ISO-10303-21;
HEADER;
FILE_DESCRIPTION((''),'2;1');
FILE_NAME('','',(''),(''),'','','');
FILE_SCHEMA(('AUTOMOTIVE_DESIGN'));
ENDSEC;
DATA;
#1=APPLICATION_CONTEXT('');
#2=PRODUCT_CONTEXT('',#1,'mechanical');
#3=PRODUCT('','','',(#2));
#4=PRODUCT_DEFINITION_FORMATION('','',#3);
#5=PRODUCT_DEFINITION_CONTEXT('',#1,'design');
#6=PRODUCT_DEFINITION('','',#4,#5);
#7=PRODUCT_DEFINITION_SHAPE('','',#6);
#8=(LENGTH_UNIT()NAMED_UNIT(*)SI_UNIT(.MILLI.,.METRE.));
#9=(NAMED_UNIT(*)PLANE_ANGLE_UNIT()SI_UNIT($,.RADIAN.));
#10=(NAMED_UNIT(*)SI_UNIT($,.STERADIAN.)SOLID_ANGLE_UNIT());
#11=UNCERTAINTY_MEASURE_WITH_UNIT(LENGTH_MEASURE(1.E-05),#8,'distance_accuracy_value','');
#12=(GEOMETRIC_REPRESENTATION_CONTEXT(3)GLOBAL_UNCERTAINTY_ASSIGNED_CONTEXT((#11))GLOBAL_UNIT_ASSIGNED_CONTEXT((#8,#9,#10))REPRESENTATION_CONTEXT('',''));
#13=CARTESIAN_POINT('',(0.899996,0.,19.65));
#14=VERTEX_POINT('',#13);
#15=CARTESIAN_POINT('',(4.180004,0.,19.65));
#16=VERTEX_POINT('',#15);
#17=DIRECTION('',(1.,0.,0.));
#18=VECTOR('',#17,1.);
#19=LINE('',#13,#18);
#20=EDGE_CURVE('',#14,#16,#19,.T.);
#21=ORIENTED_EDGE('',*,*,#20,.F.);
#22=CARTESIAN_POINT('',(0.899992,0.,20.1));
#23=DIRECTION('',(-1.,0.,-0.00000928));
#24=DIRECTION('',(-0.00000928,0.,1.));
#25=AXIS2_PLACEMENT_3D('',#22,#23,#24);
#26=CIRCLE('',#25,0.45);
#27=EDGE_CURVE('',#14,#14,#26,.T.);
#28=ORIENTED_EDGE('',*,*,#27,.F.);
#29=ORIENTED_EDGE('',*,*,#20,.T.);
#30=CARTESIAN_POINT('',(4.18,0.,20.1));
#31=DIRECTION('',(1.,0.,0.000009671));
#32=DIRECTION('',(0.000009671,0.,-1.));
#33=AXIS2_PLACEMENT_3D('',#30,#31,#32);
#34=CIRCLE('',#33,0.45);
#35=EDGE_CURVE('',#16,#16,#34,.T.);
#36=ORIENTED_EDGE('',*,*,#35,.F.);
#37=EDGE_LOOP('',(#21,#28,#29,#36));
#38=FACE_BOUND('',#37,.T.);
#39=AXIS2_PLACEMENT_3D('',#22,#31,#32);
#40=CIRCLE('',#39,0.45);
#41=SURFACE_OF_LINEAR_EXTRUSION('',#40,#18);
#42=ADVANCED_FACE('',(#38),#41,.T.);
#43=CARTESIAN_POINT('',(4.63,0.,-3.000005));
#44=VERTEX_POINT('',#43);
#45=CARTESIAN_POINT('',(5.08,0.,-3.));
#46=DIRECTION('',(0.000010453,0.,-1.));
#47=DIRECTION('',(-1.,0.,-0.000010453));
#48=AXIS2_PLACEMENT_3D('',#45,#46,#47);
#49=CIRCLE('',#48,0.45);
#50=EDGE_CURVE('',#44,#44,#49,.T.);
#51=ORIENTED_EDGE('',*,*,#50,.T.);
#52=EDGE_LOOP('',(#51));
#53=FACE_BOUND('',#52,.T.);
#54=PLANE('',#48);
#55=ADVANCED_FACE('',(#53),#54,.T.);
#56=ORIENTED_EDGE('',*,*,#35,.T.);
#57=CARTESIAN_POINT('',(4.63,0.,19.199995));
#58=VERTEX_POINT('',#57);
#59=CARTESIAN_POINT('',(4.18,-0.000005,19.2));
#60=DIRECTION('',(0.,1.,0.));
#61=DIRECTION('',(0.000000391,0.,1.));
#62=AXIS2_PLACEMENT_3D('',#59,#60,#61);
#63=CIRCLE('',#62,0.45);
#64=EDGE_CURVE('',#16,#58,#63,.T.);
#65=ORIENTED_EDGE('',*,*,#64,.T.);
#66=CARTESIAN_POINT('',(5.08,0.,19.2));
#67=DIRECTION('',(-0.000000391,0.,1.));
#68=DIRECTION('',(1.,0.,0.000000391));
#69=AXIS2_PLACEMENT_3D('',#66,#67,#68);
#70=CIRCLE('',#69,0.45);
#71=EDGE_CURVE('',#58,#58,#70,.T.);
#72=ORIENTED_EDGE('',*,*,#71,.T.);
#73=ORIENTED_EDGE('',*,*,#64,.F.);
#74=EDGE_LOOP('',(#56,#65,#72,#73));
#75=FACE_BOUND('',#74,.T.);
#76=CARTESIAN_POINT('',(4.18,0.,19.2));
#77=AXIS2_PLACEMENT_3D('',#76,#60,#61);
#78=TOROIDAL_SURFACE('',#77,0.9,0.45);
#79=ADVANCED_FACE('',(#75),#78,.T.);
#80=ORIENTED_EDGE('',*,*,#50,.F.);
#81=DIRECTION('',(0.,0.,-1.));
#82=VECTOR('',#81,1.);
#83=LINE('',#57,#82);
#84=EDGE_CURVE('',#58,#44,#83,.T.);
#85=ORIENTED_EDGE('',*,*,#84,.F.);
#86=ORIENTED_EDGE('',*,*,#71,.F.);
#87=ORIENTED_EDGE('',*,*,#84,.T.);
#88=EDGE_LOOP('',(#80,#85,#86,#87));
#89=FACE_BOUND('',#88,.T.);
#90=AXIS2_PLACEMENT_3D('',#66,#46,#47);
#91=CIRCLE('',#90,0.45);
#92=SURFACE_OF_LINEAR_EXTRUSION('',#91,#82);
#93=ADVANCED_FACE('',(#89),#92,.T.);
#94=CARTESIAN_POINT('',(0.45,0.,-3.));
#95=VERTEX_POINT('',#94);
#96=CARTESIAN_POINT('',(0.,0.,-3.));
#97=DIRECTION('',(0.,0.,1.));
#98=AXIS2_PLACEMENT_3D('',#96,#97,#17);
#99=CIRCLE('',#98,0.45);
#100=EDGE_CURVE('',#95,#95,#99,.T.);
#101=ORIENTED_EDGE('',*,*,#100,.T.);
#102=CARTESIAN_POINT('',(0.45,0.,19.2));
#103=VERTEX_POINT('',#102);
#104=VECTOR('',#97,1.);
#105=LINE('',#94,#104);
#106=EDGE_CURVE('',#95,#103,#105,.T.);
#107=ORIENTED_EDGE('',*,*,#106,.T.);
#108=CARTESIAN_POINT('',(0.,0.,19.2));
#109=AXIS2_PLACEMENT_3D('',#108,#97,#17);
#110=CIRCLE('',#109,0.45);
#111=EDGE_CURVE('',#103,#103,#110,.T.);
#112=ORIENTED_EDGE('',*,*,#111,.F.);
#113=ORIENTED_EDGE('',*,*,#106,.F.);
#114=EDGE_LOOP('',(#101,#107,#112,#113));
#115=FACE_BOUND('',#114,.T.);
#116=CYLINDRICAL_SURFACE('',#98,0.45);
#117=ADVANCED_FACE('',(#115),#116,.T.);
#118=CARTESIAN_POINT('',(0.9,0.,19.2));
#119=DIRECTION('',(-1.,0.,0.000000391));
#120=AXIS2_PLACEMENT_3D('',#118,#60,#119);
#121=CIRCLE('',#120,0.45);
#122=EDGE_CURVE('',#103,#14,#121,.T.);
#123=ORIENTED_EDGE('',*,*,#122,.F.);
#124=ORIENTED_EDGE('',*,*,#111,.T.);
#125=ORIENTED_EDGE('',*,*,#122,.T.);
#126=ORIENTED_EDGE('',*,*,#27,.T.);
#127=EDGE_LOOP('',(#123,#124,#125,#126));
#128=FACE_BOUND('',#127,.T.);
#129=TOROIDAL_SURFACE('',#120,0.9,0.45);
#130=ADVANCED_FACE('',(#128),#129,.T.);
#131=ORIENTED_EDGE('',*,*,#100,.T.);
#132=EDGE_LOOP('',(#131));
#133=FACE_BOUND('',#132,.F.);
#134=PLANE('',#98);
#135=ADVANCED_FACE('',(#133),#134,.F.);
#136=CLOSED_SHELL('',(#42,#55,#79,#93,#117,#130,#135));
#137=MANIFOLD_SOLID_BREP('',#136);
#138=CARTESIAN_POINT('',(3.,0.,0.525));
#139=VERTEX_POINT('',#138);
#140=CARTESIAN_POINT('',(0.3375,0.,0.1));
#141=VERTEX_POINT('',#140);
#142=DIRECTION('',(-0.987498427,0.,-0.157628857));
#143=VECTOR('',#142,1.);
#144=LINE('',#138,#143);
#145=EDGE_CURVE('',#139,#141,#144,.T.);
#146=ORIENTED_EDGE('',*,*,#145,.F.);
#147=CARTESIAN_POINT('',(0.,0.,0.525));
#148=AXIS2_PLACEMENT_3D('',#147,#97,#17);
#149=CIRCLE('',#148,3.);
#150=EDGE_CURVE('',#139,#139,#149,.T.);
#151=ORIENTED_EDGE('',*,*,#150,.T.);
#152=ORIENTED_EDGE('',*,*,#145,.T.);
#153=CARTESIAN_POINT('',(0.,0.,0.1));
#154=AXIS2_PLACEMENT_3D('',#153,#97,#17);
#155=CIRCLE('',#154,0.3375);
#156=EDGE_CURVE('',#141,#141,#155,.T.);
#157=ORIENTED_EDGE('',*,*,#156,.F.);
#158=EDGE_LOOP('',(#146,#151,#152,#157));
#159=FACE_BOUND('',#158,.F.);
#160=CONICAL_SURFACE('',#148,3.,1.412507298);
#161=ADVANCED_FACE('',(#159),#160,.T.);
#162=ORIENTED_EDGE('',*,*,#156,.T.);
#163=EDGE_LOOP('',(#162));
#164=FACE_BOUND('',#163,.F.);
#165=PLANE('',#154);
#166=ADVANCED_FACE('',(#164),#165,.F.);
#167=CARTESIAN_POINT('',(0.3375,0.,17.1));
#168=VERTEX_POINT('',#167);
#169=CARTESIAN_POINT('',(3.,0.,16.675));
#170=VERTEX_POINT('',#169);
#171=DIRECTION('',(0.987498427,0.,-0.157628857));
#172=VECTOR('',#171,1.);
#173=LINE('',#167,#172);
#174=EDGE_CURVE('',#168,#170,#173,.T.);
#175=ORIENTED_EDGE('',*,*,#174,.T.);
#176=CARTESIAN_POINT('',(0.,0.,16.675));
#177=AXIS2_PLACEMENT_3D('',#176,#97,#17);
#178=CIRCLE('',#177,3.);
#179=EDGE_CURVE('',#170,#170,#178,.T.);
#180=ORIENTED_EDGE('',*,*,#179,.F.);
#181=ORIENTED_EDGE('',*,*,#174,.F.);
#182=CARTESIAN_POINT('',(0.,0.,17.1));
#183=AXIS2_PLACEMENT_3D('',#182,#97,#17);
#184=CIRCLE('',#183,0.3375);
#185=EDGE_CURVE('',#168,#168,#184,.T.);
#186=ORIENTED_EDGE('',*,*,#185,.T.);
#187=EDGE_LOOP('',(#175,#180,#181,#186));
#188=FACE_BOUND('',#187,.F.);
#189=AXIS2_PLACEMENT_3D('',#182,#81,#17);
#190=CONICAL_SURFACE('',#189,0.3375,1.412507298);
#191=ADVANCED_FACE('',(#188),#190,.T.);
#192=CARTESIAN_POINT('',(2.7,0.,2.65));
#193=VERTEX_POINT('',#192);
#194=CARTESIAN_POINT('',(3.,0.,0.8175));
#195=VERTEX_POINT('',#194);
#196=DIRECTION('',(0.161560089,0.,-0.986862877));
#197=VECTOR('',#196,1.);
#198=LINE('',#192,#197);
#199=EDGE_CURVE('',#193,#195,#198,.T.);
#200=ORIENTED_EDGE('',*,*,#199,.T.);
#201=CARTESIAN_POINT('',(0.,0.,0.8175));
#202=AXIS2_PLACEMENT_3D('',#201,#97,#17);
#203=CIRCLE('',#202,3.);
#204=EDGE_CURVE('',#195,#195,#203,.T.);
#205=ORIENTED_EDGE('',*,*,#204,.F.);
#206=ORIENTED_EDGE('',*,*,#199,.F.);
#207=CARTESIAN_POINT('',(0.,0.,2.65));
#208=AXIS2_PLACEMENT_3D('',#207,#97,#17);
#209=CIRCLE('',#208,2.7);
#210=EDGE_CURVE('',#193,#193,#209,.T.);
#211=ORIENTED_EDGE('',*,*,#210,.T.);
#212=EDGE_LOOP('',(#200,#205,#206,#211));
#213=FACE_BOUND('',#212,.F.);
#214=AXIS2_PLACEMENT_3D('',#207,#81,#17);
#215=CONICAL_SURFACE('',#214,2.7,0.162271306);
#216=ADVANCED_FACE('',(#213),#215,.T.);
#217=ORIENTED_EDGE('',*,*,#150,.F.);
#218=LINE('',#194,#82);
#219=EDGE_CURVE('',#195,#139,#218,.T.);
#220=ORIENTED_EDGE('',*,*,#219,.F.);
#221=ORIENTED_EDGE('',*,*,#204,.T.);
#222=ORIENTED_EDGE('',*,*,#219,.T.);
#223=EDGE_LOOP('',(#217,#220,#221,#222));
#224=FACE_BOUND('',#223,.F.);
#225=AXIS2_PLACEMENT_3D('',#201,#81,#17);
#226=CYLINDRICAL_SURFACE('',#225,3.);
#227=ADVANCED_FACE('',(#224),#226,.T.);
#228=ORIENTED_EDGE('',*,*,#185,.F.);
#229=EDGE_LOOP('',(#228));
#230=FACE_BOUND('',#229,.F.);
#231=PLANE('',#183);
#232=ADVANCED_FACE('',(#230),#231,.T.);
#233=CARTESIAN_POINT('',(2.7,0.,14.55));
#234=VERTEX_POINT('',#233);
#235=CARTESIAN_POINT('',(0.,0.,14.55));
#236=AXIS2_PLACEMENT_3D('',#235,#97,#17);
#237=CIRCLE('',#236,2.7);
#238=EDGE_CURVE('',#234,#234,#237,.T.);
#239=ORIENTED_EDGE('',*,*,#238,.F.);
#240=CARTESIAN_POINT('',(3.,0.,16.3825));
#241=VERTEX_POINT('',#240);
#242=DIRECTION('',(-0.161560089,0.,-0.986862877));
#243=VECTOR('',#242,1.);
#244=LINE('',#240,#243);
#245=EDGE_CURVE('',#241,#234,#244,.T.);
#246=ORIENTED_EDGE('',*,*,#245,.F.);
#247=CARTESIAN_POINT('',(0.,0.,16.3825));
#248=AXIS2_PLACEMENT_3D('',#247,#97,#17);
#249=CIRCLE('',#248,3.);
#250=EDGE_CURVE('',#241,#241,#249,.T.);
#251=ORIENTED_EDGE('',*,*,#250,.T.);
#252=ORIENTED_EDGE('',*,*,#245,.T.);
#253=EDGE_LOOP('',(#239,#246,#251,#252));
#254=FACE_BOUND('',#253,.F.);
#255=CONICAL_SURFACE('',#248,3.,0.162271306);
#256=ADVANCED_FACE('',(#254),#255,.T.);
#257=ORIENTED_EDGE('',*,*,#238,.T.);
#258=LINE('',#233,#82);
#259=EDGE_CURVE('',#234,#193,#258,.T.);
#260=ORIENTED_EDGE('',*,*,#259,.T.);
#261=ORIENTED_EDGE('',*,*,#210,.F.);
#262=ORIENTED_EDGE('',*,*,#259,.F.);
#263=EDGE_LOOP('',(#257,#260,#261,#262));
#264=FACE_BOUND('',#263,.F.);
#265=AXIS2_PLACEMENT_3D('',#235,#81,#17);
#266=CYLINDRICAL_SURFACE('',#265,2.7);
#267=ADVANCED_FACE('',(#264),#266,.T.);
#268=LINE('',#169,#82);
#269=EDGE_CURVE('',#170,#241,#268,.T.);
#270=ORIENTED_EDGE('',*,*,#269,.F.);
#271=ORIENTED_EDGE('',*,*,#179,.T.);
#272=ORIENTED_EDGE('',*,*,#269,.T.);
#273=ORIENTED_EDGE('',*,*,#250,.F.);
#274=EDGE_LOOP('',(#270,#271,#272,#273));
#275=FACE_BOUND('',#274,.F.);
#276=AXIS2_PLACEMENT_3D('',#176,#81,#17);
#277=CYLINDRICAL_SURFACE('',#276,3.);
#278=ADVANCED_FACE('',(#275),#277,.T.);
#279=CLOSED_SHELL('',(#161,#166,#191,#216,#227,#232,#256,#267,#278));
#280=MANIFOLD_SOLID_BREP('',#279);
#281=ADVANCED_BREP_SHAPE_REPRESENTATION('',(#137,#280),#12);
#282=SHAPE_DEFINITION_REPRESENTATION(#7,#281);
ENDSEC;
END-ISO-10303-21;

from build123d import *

# Parameters (mm, degrees)
SKETCH_R = 0.45


with BuildPart() as sweep_body:
    # Sweep: sweep along a path in Sketch001
    with BuildLine(Plane.XZ) as sweep_path:
        Line((0, -3), (0, 19.2))
        ThreePointArc((0, 19.2), (0.263601, 19.836393), (0.899992, 20.1))
        Line((0.899992, 20.1), (4.18, 20.1))
        ThreePointArc((4.18, 20.1), (4.816396, 19.836396), (5.08, 19.2))
        Line((5.08, 19.2), (5.08, -3))
    # Sketch → Sweep (sweep)
    with BuildSketch(Plane.XY.offset(-2)):
        Circle(SKETCH_R)
    sweep(path=sweep_path.line)


with BuildPart() as revolution:
    # Sketch002 → Revolution (revolve)
    with BuildSketch(Plane.XZ):
        Polygon((0, 0.1), (0, 17.1), (0.3375, 17.1), (3, 16.675), (3, 16.3825), (2.7, 14.55), (2.7, 2.65), (3, 0.8175), (3, 0.525), (0.3375, 0.1), align=None)
    revolve(axis=Axis((0, 0, 0), (0, 0, 1)))


solid = Compound([sweep_body.part, revolution.part])
